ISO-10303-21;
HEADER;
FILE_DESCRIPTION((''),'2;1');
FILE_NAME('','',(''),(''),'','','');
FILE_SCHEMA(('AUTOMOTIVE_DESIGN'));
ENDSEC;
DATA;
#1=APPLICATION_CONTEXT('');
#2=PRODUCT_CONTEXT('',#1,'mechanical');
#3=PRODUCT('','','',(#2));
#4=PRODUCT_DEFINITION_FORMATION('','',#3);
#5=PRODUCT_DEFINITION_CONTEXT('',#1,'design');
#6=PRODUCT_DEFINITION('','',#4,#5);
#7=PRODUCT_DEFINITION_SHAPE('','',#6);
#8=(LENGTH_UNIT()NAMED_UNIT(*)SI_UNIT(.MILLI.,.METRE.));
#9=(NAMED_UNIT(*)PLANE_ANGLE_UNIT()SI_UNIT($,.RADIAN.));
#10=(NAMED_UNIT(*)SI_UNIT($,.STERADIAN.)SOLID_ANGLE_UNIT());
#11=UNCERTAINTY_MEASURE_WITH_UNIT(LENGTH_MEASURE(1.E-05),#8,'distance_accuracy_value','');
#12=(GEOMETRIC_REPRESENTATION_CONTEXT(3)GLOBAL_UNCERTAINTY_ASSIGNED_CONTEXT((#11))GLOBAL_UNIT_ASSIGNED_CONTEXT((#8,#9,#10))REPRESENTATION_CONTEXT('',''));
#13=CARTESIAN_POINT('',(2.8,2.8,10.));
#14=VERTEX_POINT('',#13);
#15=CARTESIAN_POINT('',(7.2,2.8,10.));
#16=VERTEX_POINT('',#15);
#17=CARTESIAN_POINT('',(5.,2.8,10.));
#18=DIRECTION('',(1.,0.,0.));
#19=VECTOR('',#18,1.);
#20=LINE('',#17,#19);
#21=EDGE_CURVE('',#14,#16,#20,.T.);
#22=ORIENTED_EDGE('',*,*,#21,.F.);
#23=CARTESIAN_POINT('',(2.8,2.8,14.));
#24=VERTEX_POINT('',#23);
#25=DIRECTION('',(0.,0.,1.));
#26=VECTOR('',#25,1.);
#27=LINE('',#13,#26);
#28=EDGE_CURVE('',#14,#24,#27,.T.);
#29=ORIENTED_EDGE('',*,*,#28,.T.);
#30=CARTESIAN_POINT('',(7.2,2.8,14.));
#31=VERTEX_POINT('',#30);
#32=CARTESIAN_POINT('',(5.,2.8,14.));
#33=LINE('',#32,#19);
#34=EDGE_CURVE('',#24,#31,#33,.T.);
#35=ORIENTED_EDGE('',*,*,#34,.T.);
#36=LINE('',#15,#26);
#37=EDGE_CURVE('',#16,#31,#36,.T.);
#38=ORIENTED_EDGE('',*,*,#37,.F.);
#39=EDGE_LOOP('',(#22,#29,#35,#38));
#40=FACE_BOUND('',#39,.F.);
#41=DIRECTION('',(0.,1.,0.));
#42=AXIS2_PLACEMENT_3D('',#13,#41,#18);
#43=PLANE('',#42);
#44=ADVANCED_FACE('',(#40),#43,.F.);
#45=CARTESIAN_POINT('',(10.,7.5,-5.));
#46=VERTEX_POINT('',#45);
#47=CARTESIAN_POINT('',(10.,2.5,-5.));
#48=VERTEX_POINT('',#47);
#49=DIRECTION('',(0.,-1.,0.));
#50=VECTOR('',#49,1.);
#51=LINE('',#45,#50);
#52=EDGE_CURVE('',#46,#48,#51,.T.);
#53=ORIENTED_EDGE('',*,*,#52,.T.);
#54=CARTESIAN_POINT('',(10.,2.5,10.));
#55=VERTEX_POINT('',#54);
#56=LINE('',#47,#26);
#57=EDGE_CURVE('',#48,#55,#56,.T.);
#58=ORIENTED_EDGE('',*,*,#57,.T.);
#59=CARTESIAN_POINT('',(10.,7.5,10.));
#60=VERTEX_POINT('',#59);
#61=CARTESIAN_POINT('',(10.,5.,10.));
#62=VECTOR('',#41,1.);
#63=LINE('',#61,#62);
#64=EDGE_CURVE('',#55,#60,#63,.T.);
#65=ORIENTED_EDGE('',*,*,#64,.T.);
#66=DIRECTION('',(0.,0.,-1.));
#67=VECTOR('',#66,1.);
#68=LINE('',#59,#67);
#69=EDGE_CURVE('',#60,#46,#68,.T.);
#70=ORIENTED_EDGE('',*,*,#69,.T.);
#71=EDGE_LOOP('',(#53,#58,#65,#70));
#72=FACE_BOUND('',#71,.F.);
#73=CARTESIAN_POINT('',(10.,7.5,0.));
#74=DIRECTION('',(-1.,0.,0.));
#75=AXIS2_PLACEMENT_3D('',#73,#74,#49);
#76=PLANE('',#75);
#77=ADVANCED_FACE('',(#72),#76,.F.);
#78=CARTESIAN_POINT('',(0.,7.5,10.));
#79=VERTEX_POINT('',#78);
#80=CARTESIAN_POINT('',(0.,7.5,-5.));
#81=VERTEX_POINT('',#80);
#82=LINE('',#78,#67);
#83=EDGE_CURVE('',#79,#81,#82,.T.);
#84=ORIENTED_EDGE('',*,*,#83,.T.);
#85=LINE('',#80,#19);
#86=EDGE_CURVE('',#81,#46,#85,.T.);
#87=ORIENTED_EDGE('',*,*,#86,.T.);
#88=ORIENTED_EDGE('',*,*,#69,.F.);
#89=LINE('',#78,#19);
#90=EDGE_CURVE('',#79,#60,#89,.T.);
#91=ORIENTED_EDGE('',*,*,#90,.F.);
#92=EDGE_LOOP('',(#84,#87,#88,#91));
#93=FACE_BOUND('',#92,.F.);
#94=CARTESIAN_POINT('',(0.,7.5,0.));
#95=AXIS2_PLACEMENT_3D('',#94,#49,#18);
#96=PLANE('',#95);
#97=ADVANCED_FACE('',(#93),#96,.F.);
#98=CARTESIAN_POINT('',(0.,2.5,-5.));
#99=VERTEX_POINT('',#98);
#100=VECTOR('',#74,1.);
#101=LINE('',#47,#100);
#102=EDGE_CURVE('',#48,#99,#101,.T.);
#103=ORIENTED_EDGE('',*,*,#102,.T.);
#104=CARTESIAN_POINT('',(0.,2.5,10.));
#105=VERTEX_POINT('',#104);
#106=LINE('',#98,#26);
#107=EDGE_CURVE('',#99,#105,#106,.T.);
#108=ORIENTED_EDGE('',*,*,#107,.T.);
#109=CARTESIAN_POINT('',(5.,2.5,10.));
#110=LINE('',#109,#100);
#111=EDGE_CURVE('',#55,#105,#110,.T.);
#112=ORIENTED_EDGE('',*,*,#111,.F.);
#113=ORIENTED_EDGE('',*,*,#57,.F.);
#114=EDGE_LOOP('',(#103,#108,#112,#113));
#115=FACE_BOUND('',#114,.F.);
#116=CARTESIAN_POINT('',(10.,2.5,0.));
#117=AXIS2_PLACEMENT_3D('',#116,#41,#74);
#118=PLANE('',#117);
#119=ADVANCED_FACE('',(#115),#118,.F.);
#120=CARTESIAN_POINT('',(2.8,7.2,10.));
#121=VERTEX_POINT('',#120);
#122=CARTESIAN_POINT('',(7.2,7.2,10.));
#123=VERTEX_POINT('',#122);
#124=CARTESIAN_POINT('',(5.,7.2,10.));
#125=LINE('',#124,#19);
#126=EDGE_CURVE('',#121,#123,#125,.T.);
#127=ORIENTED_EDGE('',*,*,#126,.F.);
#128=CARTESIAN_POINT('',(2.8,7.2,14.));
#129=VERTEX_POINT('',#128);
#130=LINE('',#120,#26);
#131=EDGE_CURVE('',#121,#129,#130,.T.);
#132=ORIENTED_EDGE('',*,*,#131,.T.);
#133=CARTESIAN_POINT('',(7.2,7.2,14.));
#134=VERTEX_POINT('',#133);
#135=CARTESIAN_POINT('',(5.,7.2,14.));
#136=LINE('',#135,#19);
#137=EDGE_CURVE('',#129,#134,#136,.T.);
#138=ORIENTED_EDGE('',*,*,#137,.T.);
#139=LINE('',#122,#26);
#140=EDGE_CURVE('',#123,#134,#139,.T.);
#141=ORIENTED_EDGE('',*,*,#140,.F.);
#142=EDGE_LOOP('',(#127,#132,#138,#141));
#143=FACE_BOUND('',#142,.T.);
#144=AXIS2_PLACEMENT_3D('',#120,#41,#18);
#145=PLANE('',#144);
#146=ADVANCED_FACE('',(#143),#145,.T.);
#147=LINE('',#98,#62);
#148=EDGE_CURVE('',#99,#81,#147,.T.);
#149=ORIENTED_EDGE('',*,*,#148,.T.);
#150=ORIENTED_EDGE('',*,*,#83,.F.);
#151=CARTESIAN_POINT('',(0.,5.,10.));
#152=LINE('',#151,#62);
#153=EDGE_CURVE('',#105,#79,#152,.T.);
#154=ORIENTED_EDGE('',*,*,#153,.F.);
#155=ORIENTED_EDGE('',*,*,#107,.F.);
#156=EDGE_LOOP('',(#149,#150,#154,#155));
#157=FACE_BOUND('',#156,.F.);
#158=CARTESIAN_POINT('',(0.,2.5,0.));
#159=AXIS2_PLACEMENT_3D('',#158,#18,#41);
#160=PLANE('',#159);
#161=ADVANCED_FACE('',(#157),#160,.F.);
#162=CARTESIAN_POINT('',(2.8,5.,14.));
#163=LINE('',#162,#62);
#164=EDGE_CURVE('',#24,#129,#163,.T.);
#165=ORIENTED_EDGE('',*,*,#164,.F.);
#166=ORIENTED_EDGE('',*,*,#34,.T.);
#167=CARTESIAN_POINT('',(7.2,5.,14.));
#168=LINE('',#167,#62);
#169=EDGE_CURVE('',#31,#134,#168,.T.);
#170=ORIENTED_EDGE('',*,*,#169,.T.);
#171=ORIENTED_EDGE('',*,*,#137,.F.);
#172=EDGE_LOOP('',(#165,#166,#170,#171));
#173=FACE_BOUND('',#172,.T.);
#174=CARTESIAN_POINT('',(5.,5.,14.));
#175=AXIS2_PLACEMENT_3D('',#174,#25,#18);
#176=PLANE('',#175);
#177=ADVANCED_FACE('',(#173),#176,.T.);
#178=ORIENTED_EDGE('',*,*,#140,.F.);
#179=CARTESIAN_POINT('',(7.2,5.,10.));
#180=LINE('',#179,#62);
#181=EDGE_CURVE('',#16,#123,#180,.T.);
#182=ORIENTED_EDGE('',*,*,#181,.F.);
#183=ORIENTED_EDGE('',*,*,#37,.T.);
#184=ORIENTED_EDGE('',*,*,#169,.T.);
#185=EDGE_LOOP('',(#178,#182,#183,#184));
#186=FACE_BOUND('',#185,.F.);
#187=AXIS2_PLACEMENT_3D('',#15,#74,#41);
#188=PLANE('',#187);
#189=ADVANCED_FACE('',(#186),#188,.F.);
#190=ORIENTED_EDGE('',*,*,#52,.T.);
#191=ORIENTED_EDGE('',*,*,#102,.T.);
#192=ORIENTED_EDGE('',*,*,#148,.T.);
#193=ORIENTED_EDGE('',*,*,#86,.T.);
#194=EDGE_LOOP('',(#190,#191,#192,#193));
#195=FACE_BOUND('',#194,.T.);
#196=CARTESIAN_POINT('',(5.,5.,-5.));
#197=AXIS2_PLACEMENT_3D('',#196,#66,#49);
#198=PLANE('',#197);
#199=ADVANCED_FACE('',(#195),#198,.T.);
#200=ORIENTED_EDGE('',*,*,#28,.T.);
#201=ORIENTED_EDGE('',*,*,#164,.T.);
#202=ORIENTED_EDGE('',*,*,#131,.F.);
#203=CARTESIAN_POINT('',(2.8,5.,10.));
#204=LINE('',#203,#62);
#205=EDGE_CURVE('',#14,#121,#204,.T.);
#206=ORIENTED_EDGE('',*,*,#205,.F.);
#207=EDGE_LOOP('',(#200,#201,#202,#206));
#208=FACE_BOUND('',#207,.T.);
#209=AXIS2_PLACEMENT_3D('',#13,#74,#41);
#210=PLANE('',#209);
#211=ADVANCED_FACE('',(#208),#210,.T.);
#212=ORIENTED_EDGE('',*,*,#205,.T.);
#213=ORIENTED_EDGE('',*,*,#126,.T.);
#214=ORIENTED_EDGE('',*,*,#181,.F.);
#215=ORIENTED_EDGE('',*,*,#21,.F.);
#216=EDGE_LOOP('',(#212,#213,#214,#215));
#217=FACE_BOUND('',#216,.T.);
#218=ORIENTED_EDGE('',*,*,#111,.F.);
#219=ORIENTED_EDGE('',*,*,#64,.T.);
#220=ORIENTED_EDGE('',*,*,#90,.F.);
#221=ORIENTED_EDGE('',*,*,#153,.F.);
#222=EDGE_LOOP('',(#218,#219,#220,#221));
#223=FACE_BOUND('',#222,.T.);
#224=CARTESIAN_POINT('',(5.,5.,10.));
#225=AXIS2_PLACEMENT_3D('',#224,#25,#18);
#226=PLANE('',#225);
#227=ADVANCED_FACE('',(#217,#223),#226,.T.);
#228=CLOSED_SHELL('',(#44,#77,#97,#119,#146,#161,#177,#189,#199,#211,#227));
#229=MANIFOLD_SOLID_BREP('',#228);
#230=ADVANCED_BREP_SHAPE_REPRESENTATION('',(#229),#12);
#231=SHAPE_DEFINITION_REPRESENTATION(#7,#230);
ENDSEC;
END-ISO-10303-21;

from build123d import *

# Parameters (mm, degrees)
BOX_W              = 10
BOX_H              = 10
BOX_DEPTH          = 10
SKETCH_W           = 4.4
SKETCH_H           = 4.4
PAD_DEPTH          = 4
PAD_FACE4_W        = 10
PAD_FACE4_H        = 10
POCKET_DEPTH       = 2.5
POCKET_FACE5_W     = 10
POCKET_FACE5_H     = 10
POCKET001_DEPTH    = 2.5
SKETCH001_W        = 5
SKETCH001_H        = 10
PAD001_DEPTH       = 10
SKETCH002_W        = 4.4
SKETCH002_H        = 4.4
PAD002_DEPTH       = 4
PAD002_FACE22_W    = 4.4
PAD002_FACE22_H    = 4.4
POCKET002_DEPTH    = 5
POCKET002_FACE16_W = 5
POCKET002_FACE16_H = 10
POCKET003_DEPTH    = 7.5
POCKET003_FACE15_W = 5
POCKET003_FACE15_H = 10
POCKET004_DEPTH    = 2.5
PAD003_DEPTH       = 5


with BuildPart() as part:
    # Box → Box (new body)
    with BuildSketch(Plane.XY):
        with Locations((5, 5)):
            Rectangle(BOX_W, BOX_H)
    extrude(amount=BOX_DEPTH)

    # Sketch (on Face6 of BaseFeature) → Pad (new body)
    with BuildSketch(Plane.XY.offset(10)):
        with Locations((5, 5)):
            Rectangle(SKETCH_W, SKETCH_H)
    extrude(amount=PAD_DEPTH)

    # Pad Face4 → Pocket (cut)
    with BuildSketch(Plane(origin=(5, 10, 5), x_dir=(1, 0, 0), z_dir=(0, 1, 0))):
        Rectangle(PAD_FACE4_W, PAD_FACE4_H)
    extrude(amount=-POCKET_DEPTH, mode=Mode.SUBTRACT)

    # Pocket Face5 → Pocket001 (cut)
    with BuildSketch(Plane(origin=(5, 0, 5), x_dir=(-1, 0, 0), z_dir=(0, -1, 0))):
        Rectangle(POCKET_FACE5_W, POCKET_FACE5_H)
    extrude(amount=-POCKET001_DEPTH, mode=Mode.SUBTRACT)

    # Sketch001 (on Face3 of Pocket001) → Pad001 (join)
    with BuildSketch(Plane(origin=(0, 7.5, 0), x_dir=(-1, 0, 0), z_dir=(0, 1, 0))):
        with Locations((-5, 5)):
            Rectangle(SKETCH001_W, SKETCH001_H)
    extrude(amount=PAD001_DEPTH)

    # Sketch002 (on Face6 of Pad001) → Pad002 (join)
    with BuildSketch(Plane.XY.offset(10)):
        with Locations((5, 12.5)):
            Rectangle(SKETCH002_W, SKETCH002_H)
    extrude(amount=PAD002_DEPTH)

    # Pad002 Face22 → Pocket002 (cut)
    with BuildSketch(Plane(origin=(5, 12.5, 14), x_dir=(0, 1, 0), z_dir=(0, 0, 1))):
        Rectangle(PAD002_FACE22_W, PAD002_FACE22_H)
    extrude(amount=-POCKET002_DEPTH, mode=Mode.SUBTRACT)

    # Pocket002 Face16 → Pocket003 (cut)
    with BuildSketch(Plane(origin=(5, 17.5, 5), x_dir=(1, 0, 0), z_dir=(0, 1, 0))):
        Rectangle(POCKET002_FACE16_W, POCKET002_FACE16_H)
    extrude(amount=-POCKET003_DEPTH, mode=Mode.SUBTRACT)

    # Pocket003 Face15 → Pocket004 (cut)
    with BuildSketch(Plane(origin=(5, 10, 5), x_dir=(1, 0, 0), z_dir=(0, 1, 0))):
        Rectangle(POCKET003_FACE15_W, POCKET003_FACE15_H)
    extrude(amount=-POCKET004_DEPTH, mode=Mode.SUBTRACT)

    # Pocket004 Face4 → Pad003 (add)
    with BuildSketch(Plane(origin=(5, 5, 0), x_dir=(0, -1, 0), z_dir=(0, 0, -1))):
        Polygon((2.5, 5), (-2.5, 5), (-2.5, 2.5), (-2.5, -2.5), (-2.5, -5), (2.5, -5), align=None)
    extrude(amount=PAD003_DEPTH)


solid = part.part
